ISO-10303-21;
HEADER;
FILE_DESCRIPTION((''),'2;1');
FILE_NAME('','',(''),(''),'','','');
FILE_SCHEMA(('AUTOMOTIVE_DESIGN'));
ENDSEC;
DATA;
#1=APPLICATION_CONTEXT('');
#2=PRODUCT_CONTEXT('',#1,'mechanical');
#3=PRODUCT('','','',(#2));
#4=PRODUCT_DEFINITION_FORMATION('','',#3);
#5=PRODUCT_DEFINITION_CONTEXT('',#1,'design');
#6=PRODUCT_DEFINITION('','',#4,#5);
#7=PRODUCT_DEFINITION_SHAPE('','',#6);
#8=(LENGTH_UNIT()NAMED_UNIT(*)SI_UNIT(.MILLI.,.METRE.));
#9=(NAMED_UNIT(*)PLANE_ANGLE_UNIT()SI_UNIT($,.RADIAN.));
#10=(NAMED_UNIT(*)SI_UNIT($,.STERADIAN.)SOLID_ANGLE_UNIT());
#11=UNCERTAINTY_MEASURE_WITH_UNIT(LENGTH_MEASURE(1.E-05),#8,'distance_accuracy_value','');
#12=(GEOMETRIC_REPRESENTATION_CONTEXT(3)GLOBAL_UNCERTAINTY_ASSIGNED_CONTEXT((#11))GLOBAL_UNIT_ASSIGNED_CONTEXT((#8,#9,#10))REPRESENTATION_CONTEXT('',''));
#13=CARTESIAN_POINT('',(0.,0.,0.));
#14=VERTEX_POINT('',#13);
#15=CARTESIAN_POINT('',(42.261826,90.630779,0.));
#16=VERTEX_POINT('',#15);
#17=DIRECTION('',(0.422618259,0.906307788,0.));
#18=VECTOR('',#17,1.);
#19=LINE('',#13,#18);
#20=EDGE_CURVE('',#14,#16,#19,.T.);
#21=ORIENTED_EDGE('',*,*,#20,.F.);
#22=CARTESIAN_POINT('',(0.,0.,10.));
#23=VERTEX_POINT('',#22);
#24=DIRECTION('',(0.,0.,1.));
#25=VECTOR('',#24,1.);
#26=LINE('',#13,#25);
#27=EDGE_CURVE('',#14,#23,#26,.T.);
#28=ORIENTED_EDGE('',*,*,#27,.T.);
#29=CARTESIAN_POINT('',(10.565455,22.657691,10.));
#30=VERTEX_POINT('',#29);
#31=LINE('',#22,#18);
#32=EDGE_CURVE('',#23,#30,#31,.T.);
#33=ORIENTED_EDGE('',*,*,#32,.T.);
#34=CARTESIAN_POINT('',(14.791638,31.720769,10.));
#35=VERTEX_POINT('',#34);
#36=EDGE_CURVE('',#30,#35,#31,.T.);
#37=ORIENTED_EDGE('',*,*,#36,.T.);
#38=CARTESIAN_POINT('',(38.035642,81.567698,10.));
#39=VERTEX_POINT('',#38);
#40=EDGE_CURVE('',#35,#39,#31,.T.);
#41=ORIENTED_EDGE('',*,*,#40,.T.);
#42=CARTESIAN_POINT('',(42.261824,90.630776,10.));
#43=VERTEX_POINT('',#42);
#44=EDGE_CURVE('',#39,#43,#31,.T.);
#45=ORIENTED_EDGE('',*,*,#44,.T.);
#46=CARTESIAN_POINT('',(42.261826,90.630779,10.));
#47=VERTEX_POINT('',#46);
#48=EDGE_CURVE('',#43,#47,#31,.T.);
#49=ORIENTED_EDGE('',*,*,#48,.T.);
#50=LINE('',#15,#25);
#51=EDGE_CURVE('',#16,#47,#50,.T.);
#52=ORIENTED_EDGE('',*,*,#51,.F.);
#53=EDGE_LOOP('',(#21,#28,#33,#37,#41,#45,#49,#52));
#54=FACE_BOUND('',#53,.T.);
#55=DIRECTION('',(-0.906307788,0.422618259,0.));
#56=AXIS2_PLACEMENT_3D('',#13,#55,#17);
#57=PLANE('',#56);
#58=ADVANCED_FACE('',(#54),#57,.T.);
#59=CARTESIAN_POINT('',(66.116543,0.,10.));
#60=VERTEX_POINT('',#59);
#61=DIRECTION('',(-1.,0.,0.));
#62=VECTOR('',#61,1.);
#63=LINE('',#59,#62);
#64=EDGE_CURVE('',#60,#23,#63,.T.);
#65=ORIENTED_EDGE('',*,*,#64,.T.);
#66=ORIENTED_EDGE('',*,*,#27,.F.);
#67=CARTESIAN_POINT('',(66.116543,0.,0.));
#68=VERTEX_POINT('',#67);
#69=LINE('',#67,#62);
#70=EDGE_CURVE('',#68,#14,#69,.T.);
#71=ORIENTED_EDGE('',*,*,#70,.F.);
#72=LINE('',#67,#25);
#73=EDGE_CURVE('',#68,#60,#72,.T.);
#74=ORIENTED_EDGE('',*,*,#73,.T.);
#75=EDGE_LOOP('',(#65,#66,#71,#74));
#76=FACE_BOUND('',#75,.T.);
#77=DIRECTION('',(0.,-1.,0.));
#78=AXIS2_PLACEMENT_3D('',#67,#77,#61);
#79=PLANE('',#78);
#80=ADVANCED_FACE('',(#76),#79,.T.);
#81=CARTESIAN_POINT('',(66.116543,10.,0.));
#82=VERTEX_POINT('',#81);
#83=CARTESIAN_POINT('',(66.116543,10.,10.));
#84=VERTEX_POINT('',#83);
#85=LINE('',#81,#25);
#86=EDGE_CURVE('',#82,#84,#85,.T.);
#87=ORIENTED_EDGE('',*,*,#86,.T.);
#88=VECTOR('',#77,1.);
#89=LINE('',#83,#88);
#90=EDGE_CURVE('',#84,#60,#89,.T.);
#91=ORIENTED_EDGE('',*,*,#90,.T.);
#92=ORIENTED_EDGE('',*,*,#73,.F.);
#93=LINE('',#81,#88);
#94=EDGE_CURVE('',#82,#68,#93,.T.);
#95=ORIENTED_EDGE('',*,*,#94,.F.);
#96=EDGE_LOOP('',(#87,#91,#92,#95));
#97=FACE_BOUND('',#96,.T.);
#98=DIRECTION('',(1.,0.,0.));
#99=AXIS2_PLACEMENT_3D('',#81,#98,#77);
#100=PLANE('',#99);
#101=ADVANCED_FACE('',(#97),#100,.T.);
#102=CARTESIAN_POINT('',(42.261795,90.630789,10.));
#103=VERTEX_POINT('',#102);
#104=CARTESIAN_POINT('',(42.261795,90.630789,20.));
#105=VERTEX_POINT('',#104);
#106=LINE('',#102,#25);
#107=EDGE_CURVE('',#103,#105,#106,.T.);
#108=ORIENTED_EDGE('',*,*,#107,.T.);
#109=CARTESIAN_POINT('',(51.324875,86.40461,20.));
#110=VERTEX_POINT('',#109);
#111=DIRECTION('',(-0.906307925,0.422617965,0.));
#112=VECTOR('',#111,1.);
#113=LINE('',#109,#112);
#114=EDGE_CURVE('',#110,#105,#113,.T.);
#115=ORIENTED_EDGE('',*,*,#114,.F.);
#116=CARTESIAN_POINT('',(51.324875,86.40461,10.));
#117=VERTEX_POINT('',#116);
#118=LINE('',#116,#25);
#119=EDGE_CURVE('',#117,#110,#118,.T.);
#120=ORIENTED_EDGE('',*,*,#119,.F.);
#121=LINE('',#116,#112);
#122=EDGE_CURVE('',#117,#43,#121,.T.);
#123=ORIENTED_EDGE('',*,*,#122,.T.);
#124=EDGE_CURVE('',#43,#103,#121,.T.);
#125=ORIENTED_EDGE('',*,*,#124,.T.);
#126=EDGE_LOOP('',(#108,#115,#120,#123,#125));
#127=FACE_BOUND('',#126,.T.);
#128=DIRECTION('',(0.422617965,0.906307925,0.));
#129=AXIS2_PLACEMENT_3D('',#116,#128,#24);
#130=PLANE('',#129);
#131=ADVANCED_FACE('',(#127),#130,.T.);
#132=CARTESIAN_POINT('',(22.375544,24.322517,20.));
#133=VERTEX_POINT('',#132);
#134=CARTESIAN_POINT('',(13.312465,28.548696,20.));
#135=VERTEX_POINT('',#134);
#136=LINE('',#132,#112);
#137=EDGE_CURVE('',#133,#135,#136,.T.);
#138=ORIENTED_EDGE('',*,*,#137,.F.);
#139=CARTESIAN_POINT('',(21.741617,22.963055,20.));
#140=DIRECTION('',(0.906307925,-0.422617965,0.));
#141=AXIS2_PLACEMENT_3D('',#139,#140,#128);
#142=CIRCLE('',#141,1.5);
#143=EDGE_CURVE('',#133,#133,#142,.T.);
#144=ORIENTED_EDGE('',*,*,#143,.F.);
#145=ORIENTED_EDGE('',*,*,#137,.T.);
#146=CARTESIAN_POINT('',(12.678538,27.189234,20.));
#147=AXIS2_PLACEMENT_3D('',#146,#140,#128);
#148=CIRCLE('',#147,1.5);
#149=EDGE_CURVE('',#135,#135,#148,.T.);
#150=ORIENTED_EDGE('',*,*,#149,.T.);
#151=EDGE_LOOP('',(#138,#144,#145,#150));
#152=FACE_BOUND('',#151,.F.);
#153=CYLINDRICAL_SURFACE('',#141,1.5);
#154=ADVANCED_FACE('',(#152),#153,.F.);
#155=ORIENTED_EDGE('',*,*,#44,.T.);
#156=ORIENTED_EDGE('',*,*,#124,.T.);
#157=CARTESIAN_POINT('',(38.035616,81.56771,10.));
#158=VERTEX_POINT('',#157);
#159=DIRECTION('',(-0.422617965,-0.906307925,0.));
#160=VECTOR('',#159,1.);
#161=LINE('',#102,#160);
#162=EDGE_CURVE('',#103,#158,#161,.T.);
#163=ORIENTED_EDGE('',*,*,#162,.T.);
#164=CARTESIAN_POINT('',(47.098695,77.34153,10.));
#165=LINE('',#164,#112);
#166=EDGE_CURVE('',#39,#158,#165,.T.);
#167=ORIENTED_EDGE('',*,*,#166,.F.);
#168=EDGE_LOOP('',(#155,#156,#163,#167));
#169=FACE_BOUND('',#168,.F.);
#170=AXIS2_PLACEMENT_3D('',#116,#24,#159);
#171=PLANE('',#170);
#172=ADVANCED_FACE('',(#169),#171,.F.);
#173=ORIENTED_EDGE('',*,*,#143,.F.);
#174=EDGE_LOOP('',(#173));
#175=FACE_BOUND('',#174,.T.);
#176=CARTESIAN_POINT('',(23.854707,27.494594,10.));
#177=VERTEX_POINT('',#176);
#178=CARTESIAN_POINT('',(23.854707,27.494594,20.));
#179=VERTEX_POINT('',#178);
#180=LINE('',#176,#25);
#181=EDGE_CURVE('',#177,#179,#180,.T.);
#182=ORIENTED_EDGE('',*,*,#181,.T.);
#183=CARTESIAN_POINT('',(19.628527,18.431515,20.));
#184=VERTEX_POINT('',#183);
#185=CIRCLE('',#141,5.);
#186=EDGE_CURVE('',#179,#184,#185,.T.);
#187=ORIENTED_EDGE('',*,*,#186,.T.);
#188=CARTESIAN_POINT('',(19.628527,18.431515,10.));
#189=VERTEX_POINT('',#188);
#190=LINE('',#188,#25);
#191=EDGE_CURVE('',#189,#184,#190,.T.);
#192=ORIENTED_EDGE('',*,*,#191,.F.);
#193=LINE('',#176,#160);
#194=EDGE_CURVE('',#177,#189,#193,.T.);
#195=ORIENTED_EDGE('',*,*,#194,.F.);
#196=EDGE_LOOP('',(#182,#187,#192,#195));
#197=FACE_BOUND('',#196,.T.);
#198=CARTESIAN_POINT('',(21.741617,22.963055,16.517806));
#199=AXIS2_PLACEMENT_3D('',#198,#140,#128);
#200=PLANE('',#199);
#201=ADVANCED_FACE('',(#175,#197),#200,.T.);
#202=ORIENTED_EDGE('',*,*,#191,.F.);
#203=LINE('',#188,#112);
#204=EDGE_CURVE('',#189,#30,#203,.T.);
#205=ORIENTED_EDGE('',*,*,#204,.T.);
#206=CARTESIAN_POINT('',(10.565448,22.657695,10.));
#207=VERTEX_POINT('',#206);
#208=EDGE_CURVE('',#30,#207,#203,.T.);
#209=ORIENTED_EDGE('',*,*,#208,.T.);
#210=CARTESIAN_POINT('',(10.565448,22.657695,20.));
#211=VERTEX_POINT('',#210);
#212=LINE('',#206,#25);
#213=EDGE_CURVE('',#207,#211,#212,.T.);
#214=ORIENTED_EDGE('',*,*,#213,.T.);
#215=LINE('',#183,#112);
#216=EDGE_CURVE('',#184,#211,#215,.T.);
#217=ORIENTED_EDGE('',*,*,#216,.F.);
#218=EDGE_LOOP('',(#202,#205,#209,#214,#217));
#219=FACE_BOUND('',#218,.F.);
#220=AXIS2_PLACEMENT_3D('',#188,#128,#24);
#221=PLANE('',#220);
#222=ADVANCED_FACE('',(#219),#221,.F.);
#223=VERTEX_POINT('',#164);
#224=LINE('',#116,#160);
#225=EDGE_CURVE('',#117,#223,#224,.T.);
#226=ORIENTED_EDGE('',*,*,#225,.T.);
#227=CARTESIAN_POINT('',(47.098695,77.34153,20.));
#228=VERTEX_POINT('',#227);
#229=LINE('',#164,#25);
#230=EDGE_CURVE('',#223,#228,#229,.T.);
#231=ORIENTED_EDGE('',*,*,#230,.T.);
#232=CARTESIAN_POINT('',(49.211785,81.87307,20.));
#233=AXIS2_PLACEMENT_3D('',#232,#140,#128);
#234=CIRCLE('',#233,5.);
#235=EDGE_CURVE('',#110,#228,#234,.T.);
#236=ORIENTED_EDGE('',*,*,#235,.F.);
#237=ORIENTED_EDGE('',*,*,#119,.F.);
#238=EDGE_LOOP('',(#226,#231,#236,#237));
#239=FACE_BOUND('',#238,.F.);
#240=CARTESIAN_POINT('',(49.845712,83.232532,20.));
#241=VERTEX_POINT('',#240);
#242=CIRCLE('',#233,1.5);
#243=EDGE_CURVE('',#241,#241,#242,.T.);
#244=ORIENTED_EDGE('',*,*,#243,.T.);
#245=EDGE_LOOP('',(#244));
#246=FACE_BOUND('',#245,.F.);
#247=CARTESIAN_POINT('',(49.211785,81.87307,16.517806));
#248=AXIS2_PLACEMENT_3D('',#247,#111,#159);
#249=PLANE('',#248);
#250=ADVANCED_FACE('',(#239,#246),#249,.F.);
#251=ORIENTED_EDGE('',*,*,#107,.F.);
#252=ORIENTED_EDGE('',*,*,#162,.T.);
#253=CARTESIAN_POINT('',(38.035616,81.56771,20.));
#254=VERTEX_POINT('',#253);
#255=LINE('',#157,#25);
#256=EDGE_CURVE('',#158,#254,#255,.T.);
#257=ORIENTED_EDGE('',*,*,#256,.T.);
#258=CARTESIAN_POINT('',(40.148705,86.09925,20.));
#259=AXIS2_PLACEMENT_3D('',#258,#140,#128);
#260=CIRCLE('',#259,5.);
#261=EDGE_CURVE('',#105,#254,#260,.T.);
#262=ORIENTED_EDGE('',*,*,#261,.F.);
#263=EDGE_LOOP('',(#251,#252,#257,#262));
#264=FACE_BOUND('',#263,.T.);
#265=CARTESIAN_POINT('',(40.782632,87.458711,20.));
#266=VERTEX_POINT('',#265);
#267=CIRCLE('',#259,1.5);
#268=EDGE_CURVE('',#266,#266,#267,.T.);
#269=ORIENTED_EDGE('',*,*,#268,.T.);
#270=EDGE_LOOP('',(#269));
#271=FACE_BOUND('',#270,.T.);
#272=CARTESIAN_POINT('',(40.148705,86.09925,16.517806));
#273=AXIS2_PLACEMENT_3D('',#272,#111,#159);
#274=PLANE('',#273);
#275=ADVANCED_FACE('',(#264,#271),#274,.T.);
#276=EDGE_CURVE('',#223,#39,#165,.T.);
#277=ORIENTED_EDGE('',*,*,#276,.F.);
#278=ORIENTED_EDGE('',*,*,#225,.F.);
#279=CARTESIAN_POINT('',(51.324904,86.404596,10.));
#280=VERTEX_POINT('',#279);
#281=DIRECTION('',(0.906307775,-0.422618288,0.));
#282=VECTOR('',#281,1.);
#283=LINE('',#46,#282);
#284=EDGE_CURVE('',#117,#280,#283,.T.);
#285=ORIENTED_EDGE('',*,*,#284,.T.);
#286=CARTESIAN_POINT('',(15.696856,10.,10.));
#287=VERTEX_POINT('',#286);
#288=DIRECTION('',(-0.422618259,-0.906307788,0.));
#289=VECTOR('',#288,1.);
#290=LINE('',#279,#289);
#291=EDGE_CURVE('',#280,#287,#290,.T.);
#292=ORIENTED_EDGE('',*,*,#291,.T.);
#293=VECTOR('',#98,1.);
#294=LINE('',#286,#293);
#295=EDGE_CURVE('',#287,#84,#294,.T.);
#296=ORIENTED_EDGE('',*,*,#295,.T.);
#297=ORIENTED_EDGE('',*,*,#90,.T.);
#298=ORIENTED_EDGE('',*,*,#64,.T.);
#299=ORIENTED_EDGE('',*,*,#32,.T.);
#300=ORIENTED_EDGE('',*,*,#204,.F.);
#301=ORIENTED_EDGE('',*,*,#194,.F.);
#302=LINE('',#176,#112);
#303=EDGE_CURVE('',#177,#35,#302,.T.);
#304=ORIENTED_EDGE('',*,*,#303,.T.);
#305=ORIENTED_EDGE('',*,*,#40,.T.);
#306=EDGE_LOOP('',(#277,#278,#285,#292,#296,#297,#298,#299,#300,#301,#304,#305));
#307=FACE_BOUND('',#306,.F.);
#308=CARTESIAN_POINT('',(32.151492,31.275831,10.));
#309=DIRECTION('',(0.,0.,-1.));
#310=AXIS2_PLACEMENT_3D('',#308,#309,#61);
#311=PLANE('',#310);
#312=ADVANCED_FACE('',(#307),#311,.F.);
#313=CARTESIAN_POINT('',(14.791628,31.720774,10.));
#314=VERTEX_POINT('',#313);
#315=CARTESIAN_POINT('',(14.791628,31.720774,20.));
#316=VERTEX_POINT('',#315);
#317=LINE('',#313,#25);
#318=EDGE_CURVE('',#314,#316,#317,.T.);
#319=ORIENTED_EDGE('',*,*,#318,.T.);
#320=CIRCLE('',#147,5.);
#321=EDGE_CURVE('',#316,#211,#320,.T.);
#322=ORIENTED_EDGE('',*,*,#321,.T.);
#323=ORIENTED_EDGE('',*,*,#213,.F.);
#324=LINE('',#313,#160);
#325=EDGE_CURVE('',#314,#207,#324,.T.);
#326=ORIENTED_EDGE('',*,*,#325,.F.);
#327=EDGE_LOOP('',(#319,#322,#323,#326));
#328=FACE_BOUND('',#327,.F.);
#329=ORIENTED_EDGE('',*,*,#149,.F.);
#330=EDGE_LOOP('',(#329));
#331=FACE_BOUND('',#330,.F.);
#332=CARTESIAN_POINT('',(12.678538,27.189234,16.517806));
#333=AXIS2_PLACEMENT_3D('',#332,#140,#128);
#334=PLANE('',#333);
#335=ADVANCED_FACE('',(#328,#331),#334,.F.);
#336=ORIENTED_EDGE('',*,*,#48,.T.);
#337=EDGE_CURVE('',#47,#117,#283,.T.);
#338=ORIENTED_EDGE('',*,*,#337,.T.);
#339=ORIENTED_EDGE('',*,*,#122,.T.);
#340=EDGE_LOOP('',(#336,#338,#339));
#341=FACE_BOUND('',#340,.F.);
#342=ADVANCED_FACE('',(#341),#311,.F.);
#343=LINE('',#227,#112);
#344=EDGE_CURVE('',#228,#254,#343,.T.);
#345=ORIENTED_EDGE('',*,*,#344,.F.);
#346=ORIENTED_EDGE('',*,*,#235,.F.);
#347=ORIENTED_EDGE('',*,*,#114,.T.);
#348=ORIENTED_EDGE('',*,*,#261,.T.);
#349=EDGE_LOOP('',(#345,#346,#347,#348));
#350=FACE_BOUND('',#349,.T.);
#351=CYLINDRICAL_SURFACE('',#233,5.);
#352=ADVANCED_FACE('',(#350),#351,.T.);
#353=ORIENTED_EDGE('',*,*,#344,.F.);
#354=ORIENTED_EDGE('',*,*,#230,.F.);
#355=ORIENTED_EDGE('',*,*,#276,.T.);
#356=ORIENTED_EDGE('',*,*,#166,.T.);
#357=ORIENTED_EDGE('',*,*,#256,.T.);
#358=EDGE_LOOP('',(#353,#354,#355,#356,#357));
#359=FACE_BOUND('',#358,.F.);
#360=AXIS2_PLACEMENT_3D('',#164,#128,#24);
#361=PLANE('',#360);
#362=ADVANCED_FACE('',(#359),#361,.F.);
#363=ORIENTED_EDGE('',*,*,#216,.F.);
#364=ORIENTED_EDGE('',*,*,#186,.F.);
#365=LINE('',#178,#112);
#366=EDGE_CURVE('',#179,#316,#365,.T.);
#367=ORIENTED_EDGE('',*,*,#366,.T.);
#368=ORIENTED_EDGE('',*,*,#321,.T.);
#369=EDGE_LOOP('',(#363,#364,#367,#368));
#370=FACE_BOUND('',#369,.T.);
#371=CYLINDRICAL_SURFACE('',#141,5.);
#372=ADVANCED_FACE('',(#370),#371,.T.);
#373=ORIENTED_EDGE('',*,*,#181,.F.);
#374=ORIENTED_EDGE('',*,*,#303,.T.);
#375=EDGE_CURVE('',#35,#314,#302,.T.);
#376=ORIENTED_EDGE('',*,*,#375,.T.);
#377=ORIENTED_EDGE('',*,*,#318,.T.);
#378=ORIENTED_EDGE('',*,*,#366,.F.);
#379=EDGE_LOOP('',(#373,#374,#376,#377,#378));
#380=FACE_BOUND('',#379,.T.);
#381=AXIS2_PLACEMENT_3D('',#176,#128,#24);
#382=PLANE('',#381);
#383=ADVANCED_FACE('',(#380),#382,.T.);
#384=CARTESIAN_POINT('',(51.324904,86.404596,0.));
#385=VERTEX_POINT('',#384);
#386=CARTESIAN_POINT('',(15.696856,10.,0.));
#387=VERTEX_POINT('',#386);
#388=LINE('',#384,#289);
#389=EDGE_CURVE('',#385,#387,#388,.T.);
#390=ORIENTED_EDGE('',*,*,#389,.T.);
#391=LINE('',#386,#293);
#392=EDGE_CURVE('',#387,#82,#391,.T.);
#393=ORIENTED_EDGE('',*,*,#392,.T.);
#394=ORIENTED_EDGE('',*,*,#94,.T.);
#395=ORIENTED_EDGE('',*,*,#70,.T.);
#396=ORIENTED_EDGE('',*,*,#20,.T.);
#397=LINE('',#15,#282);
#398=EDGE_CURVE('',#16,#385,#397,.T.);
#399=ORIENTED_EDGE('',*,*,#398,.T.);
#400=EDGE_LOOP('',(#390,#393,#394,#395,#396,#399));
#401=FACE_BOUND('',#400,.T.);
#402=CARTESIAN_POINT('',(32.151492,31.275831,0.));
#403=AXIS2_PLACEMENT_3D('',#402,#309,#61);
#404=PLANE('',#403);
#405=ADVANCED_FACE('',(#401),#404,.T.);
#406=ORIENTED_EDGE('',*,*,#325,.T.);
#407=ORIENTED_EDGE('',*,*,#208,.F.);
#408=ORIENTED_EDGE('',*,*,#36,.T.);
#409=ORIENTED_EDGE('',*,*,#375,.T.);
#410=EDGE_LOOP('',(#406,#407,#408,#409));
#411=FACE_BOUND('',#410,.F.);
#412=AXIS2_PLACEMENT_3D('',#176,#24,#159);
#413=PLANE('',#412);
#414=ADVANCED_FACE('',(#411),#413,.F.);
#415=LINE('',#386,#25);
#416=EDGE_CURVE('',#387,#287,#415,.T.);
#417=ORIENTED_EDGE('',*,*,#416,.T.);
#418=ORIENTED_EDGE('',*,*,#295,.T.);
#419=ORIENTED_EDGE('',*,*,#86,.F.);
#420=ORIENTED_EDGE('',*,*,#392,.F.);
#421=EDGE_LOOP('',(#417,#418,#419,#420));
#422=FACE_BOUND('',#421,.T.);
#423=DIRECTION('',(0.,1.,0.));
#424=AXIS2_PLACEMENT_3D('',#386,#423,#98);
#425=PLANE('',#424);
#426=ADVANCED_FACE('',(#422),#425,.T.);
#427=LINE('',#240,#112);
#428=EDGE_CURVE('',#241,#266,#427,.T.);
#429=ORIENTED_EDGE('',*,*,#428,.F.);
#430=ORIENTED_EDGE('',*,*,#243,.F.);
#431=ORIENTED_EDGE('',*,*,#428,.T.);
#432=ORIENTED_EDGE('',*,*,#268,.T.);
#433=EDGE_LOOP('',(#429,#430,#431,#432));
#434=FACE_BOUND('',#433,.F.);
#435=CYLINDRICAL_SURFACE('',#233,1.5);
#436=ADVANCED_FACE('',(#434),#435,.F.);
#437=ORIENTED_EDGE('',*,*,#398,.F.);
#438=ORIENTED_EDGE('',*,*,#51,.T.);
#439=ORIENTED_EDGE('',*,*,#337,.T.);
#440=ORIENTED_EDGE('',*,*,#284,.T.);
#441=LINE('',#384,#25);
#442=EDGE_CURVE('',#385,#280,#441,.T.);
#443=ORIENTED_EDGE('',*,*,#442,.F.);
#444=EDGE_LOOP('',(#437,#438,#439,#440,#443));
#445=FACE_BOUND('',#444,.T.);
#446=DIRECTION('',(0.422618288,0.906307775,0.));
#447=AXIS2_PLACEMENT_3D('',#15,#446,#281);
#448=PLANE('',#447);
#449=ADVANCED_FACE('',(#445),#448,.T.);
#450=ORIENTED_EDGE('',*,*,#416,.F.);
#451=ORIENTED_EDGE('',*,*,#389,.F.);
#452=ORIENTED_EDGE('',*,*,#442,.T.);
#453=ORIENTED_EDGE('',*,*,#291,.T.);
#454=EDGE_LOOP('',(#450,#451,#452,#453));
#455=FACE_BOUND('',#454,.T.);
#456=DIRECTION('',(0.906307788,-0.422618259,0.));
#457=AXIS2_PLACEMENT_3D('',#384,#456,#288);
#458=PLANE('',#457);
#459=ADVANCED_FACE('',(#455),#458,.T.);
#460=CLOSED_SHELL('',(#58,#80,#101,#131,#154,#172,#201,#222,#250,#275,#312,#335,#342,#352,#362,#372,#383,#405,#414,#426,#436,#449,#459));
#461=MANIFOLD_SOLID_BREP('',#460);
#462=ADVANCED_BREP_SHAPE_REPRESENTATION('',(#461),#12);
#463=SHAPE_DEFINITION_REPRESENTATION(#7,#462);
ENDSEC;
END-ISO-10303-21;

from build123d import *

# Parameters (mm, degrees)
PAD_DEPTH    = 10
SKETCH001_R  = 1.5
PAD001_DEPTH = 10


with BuildPart() as part:
    # Sketch → Pad (new body)
    with BuildSketch(Plane.XY):
        Polygon((66.116543, 0), (0, 0), (42.261826, 90.630779), (51.324904, 86.404596), (15.696856, 10), (66.116543, 10), align=None)
    extrude(amount=PAD_DEPTH)

    # Sketch001 (on Face4 of Pad) → Pad001 (join)
    with BuildSketch(Plane(origin=(9.063078, -4.226183, 0), x_dir=(0.422618, 0.906308, 0), z_dir=(0.906308, -0.422618, 0))):
        with BuildLine():
            Line((100, 10), (90, 10))
            Line((90, 10), (90, 20))
            ThreePointArc((100, 20), (95, 25), (90, 20))
            Line((100, 10), (100, 20))
        make_face()
        with Locations((95, 20)):
            Circle(SKETCH001_R, mode=Mode.SUBTRACT)
        with BuildLine():
            Line((35, 10), (35, 20))
            ThreePointArc((35, 20), (30, 25), (25, 20))
            Line((25, 10), (25, 20))
            Line((35, 10), (25, 10))
        make_face()
        with Locations((30, 20)):
            Circle(SKETCH001_R, mode=Mode.SUBTRACT)
    extrude(amount=-PAD001_DEPTH)


solid = part.part
